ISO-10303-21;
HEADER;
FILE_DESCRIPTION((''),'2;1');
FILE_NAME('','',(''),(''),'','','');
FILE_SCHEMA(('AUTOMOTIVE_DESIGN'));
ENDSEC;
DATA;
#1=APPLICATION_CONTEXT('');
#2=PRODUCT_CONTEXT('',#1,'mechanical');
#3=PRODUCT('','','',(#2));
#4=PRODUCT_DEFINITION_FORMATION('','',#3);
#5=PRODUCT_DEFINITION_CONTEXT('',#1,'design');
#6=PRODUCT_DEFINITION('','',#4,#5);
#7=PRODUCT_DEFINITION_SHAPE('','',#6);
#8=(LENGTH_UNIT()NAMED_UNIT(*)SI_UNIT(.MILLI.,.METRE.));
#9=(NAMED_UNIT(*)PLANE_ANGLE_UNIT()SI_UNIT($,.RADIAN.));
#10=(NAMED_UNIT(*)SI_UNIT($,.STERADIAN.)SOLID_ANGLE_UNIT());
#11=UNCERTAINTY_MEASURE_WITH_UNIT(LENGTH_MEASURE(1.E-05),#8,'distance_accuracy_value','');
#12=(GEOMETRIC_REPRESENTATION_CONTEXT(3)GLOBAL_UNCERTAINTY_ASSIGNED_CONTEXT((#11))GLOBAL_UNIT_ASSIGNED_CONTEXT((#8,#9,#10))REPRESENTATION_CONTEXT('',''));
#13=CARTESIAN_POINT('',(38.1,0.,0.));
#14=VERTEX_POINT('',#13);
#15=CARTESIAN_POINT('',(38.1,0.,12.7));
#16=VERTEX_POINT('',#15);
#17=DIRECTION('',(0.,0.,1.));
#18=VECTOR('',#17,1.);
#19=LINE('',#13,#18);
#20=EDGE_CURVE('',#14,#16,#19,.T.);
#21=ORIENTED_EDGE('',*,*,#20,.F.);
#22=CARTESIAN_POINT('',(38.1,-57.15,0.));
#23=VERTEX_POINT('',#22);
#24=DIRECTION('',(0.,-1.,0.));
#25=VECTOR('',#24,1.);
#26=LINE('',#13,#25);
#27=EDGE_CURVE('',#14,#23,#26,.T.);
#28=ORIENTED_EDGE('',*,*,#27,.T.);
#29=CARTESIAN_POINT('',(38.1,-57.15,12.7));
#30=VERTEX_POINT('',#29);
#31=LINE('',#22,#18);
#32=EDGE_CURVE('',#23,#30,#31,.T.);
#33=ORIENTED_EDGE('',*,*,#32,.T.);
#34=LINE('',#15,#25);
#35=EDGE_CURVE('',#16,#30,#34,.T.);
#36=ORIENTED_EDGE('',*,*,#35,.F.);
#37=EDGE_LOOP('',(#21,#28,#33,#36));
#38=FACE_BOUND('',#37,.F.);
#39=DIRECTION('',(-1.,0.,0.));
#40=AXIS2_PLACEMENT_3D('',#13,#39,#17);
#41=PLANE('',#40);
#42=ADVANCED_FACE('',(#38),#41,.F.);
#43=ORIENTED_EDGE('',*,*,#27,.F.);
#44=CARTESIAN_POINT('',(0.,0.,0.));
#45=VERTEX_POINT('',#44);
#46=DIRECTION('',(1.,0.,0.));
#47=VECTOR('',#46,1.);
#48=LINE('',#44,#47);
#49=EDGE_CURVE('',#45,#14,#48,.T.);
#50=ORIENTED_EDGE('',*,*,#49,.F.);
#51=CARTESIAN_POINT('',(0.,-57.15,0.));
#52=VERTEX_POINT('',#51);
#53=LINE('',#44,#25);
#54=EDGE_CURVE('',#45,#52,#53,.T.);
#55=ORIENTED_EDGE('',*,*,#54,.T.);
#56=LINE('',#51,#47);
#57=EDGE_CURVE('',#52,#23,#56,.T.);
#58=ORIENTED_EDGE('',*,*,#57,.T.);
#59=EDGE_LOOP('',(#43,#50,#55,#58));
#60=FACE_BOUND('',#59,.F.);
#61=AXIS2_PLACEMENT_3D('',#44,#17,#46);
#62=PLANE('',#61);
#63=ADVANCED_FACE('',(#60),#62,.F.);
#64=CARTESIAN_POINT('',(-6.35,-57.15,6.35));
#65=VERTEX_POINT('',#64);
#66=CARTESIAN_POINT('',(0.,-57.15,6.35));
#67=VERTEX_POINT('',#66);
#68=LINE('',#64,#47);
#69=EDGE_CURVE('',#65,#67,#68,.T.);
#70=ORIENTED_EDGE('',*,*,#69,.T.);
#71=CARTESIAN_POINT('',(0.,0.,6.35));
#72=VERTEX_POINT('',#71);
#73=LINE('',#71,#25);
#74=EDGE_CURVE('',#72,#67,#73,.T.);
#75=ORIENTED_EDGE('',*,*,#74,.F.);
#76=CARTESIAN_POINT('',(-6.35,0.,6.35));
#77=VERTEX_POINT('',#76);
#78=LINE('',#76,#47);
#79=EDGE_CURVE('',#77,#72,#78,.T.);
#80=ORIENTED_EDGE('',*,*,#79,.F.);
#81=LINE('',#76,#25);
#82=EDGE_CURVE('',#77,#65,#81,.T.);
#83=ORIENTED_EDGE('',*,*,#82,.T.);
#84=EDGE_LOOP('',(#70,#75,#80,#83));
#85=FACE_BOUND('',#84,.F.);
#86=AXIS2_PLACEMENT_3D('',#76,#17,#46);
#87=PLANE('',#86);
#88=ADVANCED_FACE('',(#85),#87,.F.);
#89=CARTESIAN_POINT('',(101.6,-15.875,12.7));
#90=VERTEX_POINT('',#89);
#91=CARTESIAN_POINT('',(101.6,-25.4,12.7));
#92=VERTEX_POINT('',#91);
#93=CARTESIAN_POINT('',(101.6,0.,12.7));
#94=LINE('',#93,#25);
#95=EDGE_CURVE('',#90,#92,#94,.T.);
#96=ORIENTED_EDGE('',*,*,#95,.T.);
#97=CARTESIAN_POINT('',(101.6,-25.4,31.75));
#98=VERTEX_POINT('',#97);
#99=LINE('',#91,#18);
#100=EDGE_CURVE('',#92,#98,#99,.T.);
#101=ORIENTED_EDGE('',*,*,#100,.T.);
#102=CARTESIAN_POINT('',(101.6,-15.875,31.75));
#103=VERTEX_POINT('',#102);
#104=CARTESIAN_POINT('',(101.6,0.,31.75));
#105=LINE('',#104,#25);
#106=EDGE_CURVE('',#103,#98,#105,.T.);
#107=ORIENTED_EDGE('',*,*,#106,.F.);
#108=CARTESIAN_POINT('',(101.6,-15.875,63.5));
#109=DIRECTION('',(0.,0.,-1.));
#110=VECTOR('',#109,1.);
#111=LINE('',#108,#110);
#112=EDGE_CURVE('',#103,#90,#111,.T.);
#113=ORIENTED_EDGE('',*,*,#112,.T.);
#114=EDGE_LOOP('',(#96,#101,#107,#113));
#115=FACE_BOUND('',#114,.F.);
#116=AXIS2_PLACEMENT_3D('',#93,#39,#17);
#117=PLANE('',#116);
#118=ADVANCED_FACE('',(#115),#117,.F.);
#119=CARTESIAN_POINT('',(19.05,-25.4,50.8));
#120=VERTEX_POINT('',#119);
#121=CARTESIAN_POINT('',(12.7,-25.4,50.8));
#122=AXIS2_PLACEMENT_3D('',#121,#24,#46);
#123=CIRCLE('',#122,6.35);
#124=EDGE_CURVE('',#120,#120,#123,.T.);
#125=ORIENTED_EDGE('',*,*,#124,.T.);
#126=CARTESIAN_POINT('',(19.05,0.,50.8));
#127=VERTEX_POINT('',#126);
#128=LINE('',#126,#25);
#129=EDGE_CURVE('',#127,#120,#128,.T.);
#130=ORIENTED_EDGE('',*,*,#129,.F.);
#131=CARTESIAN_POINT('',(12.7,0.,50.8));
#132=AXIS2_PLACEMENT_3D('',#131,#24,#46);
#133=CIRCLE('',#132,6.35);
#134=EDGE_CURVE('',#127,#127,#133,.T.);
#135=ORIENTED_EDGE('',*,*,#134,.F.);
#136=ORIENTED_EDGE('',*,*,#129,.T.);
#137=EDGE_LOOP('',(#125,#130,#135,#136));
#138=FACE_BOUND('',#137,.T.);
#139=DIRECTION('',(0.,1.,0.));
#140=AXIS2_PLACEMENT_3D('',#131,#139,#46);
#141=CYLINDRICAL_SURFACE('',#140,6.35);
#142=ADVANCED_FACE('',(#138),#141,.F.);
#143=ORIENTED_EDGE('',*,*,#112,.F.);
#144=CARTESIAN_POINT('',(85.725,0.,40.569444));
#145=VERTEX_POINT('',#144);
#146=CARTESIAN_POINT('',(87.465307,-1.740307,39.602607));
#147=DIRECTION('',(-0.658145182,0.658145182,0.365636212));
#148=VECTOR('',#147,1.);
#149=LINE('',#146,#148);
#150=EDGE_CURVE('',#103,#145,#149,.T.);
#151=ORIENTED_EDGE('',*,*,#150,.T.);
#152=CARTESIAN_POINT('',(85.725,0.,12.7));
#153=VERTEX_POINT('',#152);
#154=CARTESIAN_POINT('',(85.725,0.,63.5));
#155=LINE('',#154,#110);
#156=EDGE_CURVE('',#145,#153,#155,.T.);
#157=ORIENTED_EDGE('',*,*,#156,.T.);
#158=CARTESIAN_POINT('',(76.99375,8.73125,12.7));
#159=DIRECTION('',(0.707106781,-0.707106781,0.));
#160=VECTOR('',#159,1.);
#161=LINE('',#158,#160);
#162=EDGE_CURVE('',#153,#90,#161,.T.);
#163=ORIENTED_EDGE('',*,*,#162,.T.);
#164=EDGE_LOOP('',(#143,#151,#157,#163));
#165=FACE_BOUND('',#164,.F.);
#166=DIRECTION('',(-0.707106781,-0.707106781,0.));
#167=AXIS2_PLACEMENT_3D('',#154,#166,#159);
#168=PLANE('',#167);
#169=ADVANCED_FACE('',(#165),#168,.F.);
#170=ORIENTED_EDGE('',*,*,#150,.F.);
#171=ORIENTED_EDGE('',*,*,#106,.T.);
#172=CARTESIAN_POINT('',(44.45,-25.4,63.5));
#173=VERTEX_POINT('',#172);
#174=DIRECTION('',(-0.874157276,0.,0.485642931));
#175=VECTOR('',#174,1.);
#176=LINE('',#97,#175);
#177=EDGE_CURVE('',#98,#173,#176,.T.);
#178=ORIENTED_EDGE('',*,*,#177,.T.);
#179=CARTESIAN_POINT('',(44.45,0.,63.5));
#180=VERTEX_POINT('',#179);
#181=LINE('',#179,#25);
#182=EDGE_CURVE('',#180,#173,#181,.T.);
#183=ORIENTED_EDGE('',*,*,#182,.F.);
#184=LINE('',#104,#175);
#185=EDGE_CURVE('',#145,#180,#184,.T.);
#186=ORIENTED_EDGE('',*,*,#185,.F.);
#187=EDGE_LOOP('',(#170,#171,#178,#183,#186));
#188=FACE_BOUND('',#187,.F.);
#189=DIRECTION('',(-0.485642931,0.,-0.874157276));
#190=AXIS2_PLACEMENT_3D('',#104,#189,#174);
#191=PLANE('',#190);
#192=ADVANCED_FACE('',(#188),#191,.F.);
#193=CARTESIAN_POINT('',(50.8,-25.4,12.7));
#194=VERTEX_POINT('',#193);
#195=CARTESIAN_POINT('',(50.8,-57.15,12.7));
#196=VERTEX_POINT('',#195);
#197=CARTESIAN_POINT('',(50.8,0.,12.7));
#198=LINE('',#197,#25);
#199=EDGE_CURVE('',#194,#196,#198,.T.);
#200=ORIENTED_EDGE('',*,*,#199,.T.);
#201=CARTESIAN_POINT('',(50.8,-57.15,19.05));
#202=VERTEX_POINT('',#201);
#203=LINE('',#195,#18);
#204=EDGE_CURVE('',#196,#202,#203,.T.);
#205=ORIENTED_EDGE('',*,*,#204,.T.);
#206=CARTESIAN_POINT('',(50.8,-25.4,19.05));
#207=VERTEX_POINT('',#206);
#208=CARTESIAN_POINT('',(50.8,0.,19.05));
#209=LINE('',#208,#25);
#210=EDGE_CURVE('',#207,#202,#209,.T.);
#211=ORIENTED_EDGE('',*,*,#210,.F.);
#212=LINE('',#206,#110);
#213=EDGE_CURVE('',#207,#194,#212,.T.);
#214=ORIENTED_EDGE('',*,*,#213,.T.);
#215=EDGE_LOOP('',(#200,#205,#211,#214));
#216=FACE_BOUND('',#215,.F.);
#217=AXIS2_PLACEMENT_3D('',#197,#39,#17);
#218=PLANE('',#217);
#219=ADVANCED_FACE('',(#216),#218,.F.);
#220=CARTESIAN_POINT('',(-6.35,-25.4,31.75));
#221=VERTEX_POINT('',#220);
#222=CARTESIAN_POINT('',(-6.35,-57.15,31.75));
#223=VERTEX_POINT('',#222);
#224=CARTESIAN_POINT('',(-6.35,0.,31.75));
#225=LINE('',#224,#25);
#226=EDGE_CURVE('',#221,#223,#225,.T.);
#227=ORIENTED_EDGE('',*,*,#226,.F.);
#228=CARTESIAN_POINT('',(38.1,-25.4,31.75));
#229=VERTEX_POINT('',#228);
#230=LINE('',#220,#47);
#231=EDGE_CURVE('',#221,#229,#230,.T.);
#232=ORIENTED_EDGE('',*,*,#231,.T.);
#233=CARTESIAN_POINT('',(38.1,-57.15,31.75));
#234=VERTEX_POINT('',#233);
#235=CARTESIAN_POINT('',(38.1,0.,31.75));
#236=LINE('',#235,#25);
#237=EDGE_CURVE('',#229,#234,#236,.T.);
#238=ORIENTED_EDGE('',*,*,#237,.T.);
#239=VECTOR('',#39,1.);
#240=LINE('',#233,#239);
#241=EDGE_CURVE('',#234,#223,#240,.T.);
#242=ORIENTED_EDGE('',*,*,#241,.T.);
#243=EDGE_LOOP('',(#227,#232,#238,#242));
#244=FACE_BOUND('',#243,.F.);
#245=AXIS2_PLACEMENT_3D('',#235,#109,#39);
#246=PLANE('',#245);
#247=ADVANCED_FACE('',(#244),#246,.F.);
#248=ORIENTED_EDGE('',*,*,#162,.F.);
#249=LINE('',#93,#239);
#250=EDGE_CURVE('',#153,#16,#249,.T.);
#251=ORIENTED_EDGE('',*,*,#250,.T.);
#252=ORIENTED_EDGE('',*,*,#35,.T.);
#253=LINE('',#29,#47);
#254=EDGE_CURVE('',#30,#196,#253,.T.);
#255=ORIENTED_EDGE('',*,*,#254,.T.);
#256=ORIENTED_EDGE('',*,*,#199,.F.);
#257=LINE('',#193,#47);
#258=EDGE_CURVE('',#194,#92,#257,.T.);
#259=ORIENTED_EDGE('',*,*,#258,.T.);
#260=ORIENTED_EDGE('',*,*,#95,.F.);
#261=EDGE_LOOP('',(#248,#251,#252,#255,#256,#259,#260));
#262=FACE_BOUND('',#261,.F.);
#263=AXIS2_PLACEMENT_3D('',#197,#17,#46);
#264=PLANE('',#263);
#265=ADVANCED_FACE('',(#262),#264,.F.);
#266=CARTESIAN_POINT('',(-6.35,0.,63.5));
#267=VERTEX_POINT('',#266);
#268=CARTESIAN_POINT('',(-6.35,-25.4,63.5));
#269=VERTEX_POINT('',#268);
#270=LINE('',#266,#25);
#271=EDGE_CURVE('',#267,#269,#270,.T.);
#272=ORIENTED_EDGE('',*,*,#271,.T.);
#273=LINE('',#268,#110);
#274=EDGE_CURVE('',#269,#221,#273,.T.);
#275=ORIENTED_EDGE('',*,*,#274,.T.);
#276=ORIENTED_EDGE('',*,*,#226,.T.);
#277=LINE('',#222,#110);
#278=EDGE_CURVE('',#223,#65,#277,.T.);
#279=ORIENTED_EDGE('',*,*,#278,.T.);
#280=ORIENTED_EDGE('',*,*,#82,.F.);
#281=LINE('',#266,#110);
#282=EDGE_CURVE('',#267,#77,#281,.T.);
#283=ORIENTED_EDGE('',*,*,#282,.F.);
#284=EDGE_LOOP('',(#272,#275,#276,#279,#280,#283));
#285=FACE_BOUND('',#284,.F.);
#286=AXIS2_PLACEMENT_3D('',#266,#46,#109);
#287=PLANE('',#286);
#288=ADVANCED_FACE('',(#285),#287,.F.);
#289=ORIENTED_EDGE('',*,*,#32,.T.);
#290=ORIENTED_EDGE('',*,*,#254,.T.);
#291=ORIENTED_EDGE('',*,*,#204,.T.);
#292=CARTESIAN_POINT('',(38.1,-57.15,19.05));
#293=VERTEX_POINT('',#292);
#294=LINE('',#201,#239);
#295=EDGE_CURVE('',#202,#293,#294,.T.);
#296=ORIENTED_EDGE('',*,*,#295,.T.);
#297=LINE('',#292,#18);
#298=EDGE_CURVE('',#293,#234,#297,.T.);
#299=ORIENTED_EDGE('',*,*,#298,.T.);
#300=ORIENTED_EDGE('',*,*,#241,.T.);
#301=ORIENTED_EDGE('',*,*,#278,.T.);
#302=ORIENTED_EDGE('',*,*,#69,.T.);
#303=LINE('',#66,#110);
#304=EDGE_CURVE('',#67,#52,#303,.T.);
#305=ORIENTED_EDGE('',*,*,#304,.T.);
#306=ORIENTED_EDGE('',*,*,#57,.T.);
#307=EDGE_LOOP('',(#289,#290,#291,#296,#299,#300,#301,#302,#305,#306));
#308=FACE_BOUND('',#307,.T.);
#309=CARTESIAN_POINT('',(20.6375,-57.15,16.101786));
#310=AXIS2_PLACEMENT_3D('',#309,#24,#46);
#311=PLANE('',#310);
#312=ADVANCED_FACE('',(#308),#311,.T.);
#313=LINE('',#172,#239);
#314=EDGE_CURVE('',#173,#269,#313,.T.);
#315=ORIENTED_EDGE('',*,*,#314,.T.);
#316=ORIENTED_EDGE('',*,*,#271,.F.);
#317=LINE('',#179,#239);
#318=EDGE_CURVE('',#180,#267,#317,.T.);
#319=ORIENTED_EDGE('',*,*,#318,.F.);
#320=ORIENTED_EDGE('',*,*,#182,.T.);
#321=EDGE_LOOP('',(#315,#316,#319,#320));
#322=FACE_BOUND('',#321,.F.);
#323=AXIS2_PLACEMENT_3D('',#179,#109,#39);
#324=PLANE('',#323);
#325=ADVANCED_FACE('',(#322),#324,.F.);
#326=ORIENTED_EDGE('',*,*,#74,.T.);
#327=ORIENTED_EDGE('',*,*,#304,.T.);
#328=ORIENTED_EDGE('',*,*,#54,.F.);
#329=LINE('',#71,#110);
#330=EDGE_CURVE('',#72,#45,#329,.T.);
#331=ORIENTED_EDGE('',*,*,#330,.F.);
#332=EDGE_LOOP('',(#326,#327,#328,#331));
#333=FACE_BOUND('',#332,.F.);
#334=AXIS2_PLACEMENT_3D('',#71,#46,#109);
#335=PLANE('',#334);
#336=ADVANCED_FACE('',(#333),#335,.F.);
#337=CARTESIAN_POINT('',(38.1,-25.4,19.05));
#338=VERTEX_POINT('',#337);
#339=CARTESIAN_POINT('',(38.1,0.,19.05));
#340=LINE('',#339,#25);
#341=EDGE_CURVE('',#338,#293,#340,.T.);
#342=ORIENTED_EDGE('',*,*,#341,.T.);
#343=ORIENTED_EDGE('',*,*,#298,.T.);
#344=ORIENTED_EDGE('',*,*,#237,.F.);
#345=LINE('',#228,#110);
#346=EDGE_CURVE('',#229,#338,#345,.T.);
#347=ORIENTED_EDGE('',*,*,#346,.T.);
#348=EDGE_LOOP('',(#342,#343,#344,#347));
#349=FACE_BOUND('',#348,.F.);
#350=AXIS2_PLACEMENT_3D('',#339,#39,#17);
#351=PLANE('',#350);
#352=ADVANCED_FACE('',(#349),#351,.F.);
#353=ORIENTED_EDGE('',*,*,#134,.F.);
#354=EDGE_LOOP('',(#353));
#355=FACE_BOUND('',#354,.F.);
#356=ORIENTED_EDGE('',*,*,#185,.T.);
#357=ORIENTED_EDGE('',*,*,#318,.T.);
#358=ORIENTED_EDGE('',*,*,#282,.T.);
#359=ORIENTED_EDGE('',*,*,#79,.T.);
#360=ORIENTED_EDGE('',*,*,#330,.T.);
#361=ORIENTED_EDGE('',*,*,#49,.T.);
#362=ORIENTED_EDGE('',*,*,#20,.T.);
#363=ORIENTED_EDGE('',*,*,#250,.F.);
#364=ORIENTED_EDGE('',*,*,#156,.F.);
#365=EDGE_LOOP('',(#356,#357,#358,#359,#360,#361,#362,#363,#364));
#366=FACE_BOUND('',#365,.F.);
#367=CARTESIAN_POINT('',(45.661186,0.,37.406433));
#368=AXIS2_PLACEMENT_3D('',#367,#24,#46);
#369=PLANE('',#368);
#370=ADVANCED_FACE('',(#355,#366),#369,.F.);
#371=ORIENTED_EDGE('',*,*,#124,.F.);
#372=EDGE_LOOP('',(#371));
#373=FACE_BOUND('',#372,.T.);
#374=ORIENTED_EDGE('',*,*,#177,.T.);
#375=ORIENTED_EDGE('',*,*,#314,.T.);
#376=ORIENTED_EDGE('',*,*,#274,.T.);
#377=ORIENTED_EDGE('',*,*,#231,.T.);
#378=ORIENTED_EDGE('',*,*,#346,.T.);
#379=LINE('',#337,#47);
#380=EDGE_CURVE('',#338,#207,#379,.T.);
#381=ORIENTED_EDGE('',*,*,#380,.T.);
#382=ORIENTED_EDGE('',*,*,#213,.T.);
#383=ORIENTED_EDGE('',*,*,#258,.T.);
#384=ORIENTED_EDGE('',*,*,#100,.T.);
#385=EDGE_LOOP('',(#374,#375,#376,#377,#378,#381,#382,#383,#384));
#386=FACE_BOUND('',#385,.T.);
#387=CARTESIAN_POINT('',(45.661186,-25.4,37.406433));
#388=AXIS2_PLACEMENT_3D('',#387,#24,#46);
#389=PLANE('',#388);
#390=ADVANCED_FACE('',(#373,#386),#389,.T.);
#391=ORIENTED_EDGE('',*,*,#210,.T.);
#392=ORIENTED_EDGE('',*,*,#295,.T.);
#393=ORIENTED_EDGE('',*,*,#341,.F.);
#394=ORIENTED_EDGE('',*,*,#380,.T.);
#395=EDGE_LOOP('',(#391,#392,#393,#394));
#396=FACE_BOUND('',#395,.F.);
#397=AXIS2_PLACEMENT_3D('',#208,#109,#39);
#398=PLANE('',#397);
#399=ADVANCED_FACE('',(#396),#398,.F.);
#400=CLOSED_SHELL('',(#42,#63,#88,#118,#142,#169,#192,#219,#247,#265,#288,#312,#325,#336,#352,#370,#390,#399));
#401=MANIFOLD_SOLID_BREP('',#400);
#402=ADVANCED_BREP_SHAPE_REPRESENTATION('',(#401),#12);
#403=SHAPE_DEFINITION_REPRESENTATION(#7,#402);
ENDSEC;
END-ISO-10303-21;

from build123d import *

# Parameters (mm, degrees)
F1_DEPTH = 57.15
F0_R     = 6.35
F2_DEPTH = 25.4
F4_DEPTH = 63.501


with BuildPart() as f1:
    # F0 (on Front) → F1 (new body)
    with BuildSketch(Plane.XZ):
        Polygon((0, 6.35), (0, 0), (38.1, 0), (38.1, 12.7), (50.8, 12.7), (50.8, 19.05), (38.1, 19.05), (38.1, 31.75), (-6.35, 31.75), (-6.35, 6.35), align=None)
    extrude(amount=F1_DEPTH)

    # F0 (on Front) → F2 (join)
    with BuildSketch(Plane.XZ):
        Polygon((-6.35, 63.5), (-6.35, 31.75), (38.1, 31.75), (38.1, 19.05), (50.8, 19.05), (50.8, 12.7), (101.6, 12.7), (101.6, 31.75), (44.45, 63.5), align=None)
        with Locations((12.7, 50.8)):
            Circle(F0_R, mode=Mode.SUBTRACT)
    extrude(amount=F2_DEPTH)

    # F3 (on face) → F4 (cut, through all)
    with BuildSketch(Plane.XY.offset(63.5)):
        Polygon((101.6, 0), (85.725, 0), (101.6, -15.875), align=None)
    extrude(amount=-F4_DEPTH, mode=Mode.SUBTRACT)


solid = f1.part
